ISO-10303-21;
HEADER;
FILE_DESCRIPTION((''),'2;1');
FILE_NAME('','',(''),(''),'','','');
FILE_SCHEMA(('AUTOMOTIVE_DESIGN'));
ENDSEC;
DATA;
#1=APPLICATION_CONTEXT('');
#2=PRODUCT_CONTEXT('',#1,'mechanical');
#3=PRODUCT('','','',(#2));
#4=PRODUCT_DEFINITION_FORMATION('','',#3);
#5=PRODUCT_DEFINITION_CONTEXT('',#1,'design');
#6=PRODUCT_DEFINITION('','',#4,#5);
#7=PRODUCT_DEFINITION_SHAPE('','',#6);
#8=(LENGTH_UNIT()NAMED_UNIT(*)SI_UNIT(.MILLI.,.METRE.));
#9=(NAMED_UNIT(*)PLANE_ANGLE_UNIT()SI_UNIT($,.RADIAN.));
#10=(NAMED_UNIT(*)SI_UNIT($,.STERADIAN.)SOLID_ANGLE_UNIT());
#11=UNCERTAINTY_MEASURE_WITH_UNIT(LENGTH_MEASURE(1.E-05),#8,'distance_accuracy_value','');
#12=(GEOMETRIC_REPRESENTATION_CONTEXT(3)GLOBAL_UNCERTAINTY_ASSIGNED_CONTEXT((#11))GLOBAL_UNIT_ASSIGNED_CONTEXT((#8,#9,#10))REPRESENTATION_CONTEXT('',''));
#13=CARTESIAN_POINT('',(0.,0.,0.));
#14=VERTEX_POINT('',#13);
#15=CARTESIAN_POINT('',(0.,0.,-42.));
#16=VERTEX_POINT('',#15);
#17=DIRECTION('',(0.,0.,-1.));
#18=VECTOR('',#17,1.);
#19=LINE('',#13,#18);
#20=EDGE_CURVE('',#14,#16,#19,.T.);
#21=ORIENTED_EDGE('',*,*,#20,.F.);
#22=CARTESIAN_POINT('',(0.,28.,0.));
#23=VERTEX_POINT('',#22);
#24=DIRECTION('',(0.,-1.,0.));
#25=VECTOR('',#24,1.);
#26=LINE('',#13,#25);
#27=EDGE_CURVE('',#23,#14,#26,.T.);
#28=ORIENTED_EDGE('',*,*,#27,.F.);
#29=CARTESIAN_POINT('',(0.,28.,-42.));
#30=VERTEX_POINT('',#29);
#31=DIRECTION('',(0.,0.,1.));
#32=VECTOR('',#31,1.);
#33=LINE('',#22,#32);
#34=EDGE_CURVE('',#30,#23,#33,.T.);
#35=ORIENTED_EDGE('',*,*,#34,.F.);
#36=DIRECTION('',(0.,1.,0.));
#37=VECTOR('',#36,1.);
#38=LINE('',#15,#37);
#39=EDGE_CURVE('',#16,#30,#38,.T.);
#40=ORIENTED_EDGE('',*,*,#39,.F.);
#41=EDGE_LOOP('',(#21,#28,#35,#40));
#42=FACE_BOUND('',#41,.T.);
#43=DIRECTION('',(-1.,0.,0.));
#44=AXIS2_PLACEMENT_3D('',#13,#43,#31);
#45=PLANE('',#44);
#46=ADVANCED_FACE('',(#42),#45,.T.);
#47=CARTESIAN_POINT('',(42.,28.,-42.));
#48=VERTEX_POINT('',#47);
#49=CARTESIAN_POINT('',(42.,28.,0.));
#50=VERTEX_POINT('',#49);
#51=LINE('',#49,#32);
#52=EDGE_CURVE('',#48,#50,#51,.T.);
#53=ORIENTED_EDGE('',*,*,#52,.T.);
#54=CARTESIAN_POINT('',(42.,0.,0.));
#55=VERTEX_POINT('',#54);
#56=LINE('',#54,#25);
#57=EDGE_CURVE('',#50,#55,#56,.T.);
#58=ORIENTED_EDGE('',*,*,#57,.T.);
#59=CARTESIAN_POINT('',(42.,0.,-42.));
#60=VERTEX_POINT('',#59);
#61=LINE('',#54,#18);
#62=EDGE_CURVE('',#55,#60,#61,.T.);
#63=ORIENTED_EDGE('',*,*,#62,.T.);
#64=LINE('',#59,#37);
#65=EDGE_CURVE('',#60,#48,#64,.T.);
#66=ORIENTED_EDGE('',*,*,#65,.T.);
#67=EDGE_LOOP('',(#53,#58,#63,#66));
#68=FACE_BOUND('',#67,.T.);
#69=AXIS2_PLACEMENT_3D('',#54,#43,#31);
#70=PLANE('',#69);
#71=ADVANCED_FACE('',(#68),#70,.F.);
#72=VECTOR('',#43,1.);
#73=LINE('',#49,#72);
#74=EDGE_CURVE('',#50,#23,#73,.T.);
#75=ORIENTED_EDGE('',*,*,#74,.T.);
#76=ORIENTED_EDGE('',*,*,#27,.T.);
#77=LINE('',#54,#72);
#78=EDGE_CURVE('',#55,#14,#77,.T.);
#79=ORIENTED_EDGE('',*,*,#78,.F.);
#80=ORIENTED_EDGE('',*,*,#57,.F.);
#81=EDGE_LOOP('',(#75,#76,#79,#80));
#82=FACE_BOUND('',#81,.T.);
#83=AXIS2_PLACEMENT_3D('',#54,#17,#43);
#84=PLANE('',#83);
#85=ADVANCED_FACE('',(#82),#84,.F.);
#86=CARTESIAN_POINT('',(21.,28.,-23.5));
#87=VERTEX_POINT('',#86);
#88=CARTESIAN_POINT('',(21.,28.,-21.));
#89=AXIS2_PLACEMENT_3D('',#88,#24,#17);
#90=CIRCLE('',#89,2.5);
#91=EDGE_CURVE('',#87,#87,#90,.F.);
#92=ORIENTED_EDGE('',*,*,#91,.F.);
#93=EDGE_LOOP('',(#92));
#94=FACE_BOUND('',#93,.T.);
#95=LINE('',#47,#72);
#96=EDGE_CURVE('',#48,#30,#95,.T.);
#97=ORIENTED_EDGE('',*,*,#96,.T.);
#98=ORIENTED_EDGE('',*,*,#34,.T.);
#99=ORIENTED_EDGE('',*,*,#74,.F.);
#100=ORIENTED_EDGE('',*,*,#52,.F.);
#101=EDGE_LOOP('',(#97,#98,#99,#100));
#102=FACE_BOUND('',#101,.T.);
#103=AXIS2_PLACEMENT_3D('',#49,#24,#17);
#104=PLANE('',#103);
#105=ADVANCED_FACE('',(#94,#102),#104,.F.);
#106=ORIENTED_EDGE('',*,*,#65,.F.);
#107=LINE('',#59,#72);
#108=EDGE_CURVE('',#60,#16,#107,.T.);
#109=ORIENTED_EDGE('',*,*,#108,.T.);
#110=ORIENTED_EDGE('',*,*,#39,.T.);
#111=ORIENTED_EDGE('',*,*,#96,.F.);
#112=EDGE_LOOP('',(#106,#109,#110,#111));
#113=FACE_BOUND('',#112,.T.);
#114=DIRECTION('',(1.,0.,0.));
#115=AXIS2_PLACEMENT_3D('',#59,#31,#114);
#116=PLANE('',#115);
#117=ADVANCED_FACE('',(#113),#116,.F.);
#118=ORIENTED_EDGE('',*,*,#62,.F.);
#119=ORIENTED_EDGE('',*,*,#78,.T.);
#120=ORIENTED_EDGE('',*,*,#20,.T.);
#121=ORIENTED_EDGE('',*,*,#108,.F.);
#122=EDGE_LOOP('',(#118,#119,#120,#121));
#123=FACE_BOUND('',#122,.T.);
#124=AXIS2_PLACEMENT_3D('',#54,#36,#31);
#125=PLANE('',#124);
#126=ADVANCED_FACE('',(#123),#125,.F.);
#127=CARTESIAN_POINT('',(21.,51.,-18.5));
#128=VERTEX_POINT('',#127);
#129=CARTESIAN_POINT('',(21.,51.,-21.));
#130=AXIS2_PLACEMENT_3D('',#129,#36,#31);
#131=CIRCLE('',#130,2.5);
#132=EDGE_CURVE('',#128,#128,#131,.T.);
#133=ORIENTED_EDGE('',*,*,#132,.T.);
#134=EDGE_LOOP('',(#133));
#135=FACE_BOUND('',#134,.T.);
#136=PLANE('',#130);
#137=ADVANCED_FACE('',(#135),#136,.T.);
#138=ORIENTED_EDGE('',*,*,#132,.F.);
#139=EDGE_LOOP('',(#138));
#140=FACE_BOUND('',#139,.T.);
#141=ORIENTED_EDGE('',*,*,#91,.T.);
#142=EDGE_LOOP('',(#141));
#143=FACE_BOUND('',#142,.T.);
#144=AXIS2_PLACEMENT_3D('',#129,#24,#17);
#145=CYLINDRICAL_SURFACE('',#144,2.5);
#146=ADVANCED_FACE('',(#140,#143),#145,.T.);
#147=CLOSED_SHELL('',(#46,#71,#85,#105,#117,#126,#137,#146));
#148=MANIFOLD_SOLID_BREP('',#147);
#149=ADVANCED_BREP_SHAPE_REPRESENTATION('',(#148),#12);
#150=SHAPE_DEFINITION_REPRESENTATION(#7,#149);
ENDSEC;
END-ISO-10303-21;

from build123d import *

# Parameters (mm, degrees)
SKETCH_1_W      = 42
SKETCH_1_H      = 28
EXTRUDE_1_DEPTH = 42
SKETCH_2_R      = 2.5
EXTRUDE_2_DEPTH = 23


with BuildPart() as part:
    # 草图1 → 凸台-拉伸1 (new body)
    with BuildSketch(Plane(origin=(0, 0, 0), x_dir=(0, 0, -1), z_dir=(1, 0, 0))):
        with Locations((21, 14)):
            Rectangle(SKETCH_1_W, SKETCH_1_H)
    extrude(amount=EXTRUDE_1_DEPTH)

    # 草图2 → 凸台-拉伸2 (add)
    with BuildSketch(Plane(origin=(0, 28, 0), x_dir=(1, 0, 0), z_dir=(0, 1, 0))):
        with Locations(Location((21, 21, 0), (0, 0, 90))):
            Circle(SKETCH_2_R)
    extrude(amount=EXTRUDE_2_DEPTH)


solid = part.part
